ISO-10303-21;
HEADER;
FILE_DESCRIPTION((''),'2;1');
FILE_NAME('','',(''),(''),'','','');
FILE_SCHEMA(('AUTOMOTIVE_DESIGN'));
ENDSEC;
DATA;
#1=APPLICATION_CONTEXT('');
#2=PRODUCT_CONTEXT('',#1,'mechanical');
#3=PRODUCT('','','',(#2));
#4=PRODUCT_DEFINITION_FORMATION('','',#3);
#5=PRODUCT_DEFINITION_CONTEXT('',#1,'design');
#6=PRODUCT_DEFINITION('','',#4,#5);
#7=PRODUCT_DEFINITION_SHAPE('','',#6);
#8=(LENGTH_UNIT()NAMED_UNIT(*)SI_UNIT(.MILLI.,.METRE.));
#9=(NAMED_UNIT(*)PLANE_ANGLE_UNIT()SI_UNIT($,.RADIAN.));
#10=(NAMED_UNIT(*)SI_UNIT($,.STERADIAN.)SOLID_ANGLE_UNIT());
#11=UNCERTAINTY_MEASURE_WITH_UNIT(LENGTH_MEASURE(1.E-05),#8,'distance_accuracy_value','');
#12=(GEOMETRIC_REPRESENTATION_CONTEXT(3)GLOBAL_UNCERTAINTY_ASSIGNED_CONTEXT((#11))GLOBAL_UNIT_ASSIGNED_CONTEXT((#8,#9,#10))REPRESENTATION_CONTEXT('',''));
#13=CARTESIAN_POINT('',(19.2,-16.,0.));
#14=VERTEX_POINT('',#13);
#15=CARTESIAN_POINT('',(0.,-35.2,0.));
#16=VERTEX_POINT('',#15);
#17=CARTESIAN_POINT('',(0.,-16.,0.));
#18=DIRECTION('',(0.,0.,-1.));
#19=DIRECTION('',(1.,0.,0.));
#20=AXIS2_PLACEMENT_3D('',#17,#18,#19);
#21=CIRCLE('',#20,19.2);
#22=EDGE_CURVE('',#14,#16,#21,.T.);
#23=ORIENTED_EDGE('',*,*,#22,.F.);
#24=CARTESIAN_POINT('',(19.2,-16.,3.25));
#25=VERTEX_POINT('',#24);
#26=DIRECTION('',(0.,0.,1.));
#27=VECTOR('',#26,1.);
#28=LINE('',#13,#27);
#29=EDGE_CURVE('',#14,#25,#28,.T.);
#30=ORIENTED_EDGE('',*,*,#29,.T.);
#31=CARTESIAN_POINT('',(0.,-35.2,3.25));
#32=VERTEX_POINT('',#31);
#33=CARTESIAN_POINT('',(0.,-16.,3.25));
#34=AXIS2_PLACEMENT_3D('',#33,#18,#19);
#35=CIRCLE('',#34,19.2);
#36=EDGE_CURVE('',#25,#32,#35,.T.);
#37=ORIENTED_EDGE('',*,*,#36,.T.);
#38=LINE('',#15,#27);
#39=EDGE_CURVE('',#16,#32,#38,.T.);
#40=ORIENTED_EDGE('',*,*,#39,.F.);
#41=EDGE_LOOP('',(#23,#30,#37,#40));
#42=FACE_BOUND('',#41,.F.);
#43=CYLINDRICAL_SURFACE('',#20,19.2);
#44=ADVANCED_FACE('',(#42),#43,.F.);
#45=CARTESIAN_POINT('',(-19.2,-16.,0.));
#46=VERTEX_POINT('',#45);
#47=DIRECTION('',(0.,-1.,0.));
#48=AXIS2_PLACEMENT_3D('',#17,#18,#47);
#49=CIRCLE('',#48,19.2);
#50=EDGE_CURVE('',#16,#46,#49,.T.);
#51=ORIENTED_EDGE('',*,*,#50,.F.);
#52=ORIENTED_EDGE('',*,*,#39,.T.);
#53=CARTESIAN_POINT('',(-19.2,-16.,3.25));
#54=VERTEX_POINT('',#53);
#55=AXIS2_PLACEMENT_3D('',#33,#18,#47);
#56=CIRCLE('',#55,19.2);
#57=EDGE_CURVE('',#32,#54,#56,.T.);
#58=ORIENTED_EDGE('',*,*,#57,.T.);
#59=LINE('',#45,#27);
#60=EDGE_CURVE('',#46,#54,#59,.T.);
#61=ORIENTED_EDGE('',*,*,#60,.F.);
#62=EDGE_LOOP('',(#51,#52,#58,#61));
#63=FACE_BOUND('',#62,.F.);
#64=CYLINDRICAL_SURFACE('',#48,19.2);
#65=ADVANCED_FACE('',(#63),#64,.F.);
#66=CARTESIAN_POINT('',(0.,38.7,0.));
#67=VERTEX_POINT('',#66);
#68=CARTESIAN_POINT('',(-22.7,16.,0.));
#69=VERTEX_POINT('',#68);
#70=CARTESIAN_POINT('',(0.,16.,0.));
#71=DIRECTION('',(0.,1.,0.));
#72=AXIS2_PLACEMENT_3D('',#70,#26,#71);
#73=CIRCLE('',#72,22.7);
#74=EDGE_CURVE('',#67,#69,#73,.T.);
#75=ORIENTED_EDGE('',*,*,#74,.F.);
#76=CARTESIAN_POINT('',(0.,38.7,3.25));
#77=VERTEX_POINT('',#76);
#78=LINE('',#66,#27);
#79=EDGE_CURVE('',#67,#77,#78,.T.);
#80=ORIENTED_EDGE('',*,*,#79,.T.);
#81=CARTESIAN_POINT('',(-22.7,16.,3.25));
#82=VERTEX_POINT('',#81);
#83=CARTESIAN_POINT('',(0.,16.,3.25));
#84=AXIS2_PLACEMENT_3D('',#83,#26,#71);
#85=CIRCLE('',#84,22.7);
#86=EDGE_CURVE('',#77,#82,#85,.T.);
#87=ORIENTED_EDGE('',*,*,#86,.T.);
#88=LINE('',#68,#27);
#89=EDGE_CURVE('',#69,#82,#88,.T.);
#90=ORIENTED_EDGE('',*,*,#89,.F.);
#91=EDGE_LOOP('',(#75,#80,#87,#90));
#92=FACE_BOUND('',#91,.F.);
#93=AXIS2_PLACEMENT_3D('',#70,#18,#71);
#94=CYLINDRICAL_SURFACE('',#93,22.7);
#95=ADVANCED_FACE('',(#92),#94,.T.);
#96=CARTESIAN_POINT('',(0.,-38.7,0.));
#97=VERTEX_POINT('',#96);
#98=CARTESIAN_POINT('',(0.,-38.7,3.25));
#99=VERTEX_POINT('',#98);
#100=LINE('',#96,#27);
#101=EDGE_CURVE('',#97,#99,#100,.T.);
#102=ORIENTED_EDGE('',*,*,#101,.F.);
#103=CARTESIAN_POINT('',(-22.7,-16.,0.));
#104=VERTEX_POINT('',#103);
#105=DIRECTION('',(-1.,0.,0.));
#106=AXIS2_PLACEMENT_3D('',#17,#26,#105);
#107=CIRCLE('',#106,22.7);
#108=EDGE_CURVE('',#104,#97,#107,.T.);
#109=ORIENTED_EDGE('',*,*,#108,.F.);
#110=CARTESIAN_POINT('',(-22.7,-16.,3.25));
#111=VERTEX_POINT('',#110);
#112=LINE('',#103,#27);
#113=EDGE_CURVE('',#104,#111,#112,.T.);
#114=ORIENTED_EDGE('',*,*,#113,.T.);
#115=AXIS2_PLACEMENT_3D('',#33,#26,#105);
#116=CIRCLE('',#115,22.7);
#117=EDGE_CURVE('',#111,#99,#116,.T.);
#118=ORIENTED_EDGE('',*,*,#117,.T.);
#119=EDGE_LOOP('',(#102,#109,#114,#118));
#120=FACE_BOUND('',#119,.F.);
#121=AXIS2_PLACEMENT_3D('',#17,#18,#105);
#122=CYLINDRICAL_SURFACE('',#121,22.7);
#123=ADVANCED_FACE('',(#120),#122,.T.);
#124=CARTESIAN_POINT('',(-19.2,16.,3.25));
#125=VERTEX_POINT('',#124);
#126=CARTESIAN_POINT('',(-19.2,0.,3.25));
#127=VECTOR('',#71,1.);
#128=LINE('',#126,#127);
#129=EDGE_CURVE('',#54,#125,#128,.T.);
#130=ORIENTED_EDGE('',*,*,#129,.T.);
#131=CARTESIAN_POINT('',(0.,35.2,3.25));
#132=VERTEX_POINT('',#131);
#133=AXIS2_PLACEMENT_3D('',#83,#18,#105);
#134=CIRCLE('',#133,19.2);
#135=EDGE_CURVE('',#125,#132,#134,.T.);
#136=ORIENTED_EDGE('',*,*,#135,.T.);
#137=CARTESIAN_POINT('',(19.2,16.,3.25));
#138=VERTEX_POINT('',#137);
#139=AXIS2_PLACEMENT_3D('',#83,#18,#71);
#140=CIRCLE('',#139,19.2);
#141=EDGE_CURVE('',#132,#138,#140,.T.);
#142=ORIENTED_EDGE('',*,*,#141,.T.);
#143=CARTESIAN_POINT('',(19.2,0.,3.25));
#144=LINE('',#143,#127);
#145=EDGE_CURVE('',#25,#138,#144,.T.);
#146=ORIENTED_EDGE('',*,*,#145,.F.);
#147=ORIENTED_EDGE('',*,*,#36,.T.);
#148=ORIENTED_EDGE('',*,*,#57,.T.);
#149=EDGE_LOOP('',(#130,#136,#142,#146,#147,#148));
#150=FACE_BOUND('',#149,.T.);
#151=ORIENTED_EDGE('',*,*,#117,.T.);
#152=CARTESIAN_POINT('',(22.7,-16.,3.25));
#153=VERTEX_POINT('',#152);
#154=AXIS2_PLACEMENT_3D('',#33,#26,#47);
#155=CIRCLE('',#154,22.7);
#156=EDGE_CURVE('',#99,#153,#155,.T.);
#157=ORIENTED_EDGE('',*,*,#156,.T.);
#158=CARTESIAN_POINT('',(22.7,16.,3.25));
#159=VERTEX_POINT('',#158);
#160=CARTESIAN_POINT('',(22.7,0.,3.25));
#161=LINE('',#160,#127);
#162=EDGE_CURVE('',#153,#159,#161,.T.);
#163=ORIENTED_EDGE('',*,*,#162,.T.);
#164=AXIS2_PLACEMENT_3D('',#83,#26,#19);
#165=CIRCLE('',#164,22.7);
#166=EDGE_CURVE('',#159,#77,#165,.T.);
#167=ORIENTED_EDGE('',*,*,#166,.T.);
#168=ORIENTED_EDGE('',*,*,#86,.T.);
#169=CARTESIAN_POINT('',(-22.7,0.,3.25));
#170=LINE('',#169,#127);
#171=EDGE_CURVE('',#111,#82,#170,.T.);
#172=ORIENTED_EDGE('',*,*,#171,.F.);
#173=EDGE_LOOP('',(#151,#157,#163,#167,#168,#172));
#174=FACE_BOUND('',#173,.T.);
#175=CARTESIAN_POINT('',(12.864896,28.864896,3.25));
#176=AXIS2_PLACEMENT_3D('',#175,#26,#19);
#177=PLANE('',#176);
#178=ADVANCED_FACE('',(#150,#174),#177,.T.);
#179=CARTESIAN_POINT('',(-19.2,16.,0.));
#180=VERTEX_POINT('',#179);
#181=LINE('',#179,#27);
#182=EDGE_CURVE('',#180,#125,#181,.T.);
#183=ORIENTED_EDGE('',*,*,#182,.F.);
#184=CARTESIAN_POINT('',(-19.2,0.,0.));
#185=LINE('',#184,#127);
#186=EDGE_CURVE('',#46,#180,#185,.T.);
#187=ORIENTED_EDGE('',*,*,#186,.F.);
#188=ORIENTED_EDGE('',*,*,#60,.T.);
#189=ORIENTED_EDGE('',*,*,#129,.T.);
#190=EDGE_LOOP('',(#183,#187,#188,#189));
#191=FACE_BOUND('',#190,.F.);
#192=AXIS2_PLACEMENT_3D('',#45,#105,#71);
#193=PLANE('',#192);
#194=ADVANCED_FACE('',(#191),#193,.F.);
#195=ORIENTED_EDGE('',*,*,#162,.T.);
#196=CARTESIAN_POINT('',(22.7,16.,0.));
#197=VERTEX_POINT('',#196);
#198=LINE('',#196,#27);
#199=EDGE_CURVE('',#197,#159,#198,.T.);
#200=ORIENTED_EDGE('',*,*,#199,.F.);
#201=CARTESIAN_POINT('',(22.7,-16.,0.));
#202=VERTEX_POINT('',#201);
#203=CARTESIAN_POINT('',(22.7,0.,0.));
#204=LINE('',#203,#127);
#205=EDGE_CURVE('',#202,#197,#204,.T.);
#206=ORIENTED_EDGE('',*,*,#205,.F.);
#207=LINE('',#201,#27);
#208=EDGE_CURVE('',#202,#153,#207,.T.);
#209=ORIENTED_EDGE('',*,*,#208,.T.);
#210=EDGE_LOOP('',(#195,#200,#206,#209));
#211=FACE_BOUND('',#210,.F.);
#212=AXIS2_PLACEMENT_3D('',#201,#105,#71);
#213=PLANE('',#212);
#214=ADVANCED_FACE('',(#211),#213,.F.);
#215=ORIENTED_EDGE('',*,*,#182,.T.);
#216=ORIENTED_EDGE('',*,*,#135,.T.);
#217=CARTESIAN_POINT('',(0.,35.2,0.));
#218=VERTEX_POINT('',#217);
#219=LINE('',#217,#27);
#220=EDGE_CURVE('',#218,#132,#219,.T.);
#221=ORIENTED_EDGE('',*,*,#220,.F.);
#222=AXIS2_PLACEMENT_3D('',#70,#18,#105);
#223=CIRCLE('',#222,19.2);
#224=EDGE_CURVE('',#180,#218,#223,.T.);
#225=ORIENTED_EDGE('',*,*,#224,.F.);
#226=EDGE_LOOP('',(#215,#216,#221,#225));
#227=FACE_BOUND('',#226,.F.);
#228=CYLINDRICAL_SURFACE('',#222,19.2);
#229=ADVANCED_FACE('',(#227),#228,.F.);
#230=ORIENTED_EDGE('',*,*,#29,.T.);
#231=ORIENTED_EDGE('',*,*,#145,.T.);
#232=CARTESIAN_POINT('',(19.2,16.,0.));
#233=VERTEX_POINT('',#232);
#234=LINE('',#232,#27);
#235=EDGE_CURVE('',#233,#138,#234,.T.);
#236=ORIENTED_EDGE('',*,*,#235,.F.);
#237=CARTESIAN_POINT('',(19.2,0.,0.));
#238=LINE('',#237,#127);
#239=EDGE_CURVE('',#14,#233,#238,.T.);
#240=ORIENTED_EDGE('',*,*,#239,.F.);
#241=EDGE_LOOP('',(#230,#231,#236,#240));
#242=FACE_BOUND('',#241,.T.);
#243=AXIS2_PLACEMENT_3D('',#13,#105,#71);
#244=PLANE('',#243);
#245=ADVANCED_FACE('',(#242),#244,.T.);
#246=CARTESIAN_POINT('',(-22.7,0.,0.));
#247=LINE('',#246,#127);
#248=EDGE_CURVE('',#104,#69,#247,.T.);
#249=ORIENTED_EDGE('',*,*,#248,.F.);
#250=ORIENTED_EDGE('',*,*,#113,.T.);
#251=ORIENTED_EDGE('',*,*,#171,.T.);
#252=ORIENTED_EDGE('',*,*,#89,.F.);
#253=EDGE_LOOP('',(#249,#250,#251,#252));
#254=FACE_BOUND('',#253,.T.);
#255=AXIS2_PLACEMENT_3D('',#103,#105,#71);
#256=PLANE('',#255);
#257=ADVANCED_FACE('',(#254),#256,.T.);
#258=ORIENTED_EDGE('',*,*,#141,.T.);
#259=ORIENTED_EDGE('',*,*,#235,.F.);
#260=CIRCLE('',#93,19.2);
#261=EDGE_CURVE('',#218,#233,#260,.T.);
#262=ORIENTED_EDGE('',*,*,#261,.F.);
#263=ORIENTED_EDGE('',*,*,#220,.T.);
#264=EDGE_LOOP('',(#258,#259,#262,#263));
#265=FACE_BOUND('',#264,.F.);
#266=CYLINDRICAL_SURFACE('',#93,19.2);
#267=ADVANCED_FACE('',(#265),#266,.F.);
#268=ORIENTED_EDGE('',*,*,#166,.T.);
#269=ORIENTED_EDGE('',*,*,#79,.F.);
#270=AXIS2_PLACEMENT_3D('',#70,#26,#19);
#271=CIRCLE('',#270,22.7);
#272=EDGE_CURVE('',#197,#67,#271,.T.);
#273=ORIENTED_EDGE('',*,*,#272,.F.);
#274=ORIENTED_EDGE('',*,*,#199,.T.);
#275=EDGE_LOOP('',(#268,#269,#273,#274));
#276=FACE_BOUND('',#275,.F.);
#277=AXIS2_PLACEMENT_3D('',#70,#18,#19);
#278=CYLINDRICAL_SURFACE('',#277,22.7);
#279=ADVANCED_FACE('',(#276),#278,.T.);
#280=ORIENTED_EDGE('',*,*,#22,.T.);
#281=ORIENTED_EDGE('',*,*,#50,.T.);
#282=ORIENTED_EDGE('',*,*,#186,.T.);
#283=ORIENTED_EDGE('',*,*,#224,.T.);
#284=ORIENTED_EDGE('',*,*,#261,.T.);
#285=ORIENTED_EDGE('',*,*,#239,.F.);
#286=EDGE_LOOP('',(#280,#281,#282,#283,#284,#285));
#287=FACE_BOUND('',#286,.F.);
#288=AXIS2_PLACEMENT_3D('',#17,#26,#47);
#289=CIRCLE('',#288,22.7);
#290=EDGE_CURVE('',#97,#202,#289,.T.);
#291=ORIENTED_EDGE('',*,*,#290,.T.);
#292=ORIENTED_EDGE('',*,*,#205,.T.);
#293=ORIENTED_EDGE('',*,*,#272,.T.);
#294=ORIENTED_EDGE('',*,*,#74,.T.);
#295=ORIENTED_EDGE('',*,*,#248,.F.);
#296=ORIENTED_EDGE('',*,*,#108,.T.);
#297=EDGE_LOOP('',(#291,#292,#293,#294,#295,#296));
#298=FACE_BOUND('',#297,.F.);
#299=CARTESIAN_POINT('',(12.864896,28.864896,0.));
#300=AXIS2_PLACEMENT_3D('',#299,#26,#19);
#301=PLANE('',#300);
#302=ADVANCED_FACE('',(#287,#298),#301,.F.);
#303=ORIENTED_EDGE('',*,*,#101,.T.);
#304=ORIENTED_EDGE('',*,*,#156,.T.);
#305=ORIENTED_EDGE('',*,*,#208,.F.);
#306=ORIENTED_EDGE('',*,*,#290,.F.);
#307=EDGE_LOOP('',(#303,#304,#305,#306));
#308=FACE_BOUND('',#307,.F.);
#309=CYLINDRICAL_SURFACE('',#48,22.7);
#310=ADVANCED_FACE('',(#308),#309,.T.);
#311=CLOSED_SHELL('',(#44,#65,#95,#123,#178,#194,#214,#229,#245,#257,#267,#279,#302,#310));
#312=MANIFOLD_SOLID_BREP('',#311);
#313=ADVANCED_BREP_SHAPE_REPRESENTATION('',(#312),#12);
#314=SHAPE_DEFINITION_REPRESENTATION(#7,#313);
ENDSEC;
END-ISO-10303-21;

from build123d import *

# Parameters (mm, degrees)
F0_W     = 3.5
F0_H     = 32
F1_DEPTH = 3.25


with BuildPart() as f1:
    # F0 (on Top) → F1 (new body)
    with BuildSketch(Plane.XY):
        with BuildLine():
            Line((0, 38.7), (0, 35.2))
            ThreePointArc((0, 35.2), (13.5764501988, 29.5764501988), (19.2, 16))
            Line((19.2, 16), (22.7, 16))
            ThreePointArc((22.7, 16), (16.0513239329, 32.0513239329), (0, 38.7))
        make_face()
        with BuildLine():
            ThreePointArc((-19.2, 16), (-13.5764501988, 29.5764501988), (0, 35.2))
            Line((0, 35.2), (0, 38.7))
            ThreePointArc((0, 38.7), (-16.0513239329, 32.0513239329), (-22.7, 16))
            Line((-22.7, 16), (-19.2, 16))
        make_face()
        with Locations((-20.95, 0)):
            Rectangle(F0_W, F0_H)
        with BuildLine():
            Line((0, -38.7), (0, -35.2))
            ThreePointArc((0, -35.2), (-13.5764501988, -29.5764501988), (-19.2, -16))
            Line((-19.2, -16), (-22.7, -16))
            ThreePointArc((-22.7, -16), (-16.0513239329, -32.0513239329), (0, -38.7))
        make_face()
        with BuildLine():
            ThreePointArc((19.2, -16), (13.5764501988, -29.5764501988), (0, -35.2))
            Line((0, -35.2), (0, -38.7))
            ThreePointArc((0, -38.7), (16.0513239329, -32.0513239329), (22.7, -16))
            Line((22.7, -16), (19.2, -16))
        make_face()
        with Locations((20.95, 0)):
            Rectangle(F0_W, F0_H)
    extrude(amount=F1_DEPTH)


solid = f1.part
